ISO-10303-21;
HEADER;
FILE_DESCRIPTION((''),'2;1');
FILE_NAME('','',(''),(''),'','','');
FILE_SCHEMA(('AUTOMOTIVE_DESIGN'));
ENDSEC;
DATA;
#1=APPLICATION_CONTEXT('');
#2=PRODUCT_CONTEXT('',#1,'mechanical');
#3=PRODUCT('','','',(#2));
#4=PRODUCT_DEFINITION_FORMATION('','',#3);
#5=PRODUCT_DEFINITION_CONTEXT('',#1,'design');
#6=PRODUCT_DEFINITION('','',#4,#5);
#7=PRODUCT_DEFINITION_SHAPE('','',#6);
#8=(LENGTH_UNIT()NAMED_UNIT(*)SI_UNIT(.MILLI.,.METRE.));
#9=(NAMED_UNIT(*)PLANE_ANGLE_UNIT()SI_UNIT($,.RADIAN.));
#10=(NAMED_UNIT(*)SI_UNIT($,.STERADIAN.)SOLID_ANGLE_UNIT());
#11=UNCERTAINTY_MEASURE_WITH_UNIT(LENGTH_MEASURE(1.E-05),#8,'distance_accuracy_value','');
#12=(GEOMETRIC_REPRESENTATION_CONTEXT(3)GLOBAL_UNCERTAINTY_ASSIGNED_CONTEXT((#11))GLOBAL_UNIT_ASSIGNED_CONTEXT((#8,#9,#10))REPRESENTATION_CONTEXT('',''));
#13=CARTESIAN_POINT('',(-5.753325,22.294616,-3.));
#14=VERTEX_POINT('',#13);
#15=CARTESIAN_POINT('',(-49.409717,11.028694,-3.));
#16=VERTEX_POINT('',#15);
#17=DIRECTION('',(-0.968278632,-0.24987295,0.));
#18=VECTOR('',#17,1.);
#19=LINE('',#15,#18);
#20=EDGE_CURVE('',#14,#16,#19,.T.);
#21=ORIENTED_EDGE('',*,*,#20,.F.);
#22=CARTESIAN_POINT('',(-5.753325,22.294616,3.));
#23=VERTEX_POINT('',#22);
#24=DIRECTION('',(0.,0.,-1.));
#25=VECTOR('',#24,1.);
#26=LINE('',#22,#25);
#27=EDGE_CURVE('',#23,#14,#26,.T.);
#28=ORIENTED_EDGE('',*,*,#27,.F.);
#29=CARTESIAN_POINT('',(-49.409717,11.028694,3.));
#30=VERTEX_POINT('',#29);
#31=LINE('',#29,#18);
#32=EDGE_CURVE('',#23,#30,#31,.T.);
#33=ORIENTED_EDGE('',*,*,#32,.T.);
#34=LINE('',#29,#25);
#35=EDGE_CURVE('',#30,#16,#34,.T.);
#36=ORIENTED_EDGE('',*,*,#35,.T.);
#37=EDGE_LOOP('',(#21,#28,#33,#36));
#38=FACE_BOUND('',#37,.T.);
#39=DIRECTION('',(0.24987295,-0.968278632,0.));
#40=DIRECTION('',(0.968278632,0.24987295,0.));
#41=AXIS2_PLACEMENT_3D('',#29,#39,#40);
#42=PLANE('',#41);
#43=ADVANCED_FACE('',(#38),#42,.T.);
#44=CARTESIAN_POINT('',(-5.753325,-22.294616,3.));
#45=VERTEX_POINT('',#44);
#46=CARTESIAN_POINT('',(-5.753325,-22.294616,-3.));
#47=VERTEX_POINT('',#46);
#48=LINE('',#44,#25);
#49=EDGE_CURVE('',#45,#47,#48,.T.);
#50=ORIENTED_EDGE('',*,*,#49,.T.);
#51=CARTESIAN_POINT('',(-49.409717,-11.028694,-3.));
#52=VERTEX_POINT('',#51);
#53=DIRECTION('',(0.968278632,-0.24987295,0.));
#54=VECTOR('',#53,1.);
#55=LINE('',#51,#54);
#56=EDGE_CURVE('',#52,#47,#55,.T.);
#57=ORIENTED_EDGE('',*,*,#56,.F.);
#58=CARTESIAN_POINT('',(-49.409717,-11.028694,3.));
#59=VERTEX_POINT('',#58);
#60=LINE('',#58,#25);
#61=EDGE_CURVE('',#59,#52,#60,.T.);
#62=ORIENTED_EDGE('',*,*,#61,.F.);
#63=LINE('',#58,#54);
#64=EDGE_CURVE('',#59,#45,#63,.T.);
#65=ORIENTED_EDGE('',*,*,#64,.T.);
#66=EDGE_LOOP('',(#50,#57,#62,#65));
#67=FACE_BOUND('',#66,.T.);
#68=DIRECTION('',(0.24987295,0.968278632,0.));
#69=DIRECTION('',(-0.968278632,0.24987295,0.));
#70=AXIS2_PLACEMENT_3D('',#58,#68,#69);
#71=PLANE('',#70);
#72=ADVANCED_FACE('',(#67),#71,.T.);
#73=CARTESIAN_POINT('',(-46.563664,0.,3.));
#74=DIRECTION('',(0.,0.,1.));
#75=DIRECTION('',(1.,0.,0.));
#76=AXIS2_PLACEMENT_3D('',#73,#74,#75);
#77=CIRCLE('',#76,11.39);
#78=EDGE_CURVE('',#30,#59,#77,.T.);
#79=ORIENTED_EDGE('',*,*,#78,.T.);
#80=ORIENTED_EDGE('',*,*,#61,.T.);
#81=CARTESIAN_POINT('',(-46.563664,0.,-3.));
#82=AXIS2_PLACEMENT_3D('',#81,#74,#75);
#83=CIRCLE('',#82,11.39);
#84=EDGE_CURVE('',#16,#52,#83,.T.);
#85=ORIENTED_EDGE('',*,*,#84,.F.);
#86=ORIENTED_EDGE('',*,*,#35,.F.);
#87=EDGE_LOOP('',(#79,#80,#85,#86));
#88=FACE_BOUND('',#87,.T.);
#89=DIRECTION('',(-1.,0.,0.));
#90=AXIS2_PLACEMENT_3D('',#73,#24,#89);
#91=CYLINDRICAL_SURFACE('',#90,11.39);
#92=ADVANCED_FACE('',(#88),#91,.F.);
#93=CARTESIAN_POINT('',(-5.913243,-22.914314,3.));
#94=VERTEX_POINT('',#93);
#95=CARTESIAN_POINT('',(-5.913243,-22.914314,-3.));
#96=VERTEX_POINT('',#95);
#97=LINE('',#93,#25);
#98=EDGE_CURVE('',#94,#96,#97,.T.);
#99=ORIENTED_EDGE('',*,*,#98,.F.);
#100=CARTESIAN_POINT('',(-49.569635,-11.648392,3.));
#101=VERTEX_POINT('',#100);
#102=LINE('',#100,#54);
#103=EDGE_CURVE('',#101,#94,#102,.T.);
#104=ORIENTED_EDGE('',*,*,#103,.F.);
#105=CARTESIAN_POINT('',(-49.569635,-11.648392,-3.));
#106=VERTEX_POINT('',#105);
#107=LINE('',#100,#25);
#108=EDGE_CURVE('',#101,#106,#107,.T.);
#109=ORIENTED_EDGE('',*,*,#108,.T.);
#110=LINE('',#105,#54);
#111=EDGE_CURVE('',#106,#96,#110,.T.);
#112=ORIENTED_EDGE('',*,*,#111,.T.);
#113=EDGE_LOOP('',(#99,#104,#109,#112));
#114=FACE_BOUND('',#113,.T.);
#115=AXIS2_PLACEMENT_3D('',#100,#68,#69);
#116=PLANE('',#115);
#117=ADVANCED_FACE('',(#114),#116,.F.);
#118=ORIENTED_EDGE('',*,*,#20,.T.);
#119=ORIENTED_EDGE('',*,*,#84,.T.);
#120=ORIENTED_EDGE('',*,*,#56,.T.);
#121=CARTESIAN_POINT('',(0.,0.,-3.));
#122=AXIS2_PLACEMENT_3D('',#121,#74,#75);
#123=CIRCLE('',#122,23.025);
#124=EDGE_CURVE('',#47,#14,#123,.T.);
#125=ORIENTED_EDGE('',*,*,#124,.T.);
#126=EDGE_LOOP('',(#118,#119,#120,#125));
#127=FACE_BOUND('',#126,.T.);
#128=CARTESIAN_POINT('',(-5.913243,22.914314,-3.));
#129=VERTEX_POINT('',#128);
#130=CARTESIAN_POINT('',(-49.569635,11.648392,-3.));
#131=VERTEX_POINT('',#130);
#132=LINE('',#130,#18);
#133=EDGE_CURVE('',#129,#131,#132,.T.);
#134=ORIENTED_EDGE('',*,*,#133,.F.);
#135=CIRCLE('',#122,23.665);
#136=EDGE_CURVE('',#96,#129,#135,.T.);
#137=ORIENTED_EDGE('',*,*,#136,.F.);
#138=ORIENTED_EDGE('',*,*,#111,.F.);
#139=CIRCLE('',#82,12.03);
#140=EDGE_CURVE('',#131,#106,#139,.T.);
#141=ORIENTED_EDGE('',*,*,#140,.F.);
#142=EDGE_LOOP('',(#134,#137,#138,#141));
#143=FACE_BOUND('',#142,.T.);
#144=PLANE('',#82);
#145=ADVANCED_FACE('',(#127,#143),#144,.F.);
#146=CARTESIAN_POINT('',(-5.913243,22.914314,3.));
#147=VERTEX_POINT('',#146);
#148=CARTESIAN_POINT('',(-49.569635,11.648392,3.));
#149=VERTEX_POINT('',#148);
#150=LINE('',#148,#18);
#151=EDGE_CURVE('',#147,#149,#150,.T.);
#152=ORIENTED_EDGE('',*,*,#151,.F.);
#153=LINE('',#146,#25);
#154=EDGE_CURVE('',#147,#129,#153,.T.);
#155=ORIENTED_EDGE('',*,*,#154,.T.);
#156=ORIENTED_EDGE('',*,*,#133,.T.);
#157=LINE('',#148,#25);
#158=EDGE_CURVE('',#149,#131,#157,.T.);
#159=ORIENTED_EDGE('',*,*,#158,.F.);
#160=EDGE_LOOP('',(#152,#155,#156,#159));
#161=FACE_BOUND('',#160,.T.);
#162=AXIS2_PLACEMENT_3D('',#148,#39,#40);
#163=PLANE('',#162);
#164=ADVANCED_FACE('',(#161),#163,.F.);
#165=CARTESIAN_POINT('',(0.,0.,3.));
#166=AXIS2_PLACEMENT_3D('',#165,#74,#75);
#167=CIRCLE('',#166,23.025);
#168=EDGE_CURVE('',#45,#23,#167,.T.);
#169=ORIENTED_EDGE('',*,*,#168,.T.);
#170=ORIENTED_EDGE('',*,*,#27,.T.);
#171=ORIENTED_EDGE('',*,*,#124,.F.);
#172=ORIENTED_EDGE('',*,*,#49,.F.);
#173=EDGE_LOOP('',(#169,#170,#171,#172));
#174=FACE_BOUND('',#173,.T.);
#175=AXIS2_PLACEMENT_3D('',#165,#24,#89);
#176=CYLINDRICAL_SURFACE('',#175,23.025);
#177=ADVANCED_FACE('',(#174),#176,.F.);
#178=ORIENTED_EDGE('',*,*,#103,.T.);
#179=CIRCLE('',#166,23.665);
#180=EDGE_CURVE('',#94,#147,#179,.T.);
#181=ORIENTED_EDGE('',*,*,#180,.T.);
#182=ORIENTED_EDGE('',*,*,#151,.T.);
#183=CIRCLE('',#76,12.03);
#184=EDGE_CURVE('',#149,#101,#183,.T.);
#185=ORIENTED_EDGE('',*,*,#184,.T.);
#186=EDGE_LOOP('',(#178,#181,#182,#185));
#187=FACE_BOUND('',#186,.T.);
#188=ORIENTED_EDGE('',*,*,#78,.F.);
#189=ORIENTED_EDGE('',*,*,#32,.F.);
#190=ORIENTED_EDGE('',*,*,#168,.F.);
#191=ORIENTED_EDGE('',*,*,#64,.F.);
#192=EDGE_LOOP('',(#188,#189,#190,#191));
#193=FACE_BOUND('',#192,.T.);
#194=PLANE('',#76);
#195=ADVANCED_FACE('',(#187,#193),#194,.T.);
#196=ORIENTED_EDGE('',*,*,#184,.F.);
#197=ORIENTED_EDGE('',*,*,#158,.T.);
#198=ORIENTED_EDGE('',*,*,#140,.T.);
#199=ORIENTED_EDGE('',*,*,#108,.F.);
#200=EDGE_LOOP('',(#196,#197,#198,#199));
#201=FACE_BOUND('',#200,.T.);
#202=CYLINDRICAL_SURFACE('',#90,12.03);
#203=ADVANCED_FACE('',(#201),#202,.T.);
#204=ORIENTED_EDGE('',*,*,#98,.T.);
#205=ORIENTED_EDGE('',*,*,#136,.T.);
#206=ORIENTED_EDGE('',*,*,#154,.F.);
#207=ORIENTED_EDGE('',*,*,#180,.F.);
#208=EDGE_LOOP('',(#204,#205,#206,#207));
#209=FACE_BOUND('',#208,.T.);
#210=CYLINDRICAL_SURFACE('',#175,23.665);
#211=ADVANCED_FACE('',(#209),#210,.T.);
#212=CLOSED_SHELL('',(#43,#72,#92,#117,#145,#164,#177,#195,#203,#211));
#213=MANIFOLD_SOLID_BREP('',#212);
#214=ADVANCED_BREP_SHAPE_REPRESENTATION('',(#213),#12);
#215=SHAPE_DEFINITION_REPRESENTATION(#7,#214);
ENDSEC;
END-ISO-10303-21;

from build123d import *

# Parameters (mm, degrees)
BOSS_EXTRUDE1_DEPTH = 3


with BuildPart() as part:
    # Sketch4 → Boss-Extrude1 (new body, symmetric)
    with BuildSketch(Plane.XY):
        with BuildLine():
            Line((-49.569635322, 11.648391942), (-5.913243351, 22.914313825))
            ThreePointArc((-5.913243351, 22.914313825), (23.665, 0), (-5.913243351, -22.914313825))
            Line((-5.913243351, -22.914313825), (-49.569635322, -11.648391942))
            ThreePointArc((-49.569635322, -11.648391942), (-58.593663739, 0), (-49.569635322, 11.648391942))
        make_face()
        with BuildLine():
            Line((-49.409716634, 11.028693618), (-5.753324663, 22.294615501))
            ThreePointArc((-5.753324663, 22.294615501), (23.025, 0), (-5.753324663, -22.294615501))
            Line((-5.753324663, -22.294615501), (-49.409716634, -11.028693618))
            ThreePointArc((-49.409716634, -11.028693618), (-57.953663739, 0), (-49.409716634, 11.028693618))
        make_face(mode=Mode.SUBTRACT)
    extrude(amount=BOSS_EXTRUDE1_DEPTH, both=True)


solid = part.part
